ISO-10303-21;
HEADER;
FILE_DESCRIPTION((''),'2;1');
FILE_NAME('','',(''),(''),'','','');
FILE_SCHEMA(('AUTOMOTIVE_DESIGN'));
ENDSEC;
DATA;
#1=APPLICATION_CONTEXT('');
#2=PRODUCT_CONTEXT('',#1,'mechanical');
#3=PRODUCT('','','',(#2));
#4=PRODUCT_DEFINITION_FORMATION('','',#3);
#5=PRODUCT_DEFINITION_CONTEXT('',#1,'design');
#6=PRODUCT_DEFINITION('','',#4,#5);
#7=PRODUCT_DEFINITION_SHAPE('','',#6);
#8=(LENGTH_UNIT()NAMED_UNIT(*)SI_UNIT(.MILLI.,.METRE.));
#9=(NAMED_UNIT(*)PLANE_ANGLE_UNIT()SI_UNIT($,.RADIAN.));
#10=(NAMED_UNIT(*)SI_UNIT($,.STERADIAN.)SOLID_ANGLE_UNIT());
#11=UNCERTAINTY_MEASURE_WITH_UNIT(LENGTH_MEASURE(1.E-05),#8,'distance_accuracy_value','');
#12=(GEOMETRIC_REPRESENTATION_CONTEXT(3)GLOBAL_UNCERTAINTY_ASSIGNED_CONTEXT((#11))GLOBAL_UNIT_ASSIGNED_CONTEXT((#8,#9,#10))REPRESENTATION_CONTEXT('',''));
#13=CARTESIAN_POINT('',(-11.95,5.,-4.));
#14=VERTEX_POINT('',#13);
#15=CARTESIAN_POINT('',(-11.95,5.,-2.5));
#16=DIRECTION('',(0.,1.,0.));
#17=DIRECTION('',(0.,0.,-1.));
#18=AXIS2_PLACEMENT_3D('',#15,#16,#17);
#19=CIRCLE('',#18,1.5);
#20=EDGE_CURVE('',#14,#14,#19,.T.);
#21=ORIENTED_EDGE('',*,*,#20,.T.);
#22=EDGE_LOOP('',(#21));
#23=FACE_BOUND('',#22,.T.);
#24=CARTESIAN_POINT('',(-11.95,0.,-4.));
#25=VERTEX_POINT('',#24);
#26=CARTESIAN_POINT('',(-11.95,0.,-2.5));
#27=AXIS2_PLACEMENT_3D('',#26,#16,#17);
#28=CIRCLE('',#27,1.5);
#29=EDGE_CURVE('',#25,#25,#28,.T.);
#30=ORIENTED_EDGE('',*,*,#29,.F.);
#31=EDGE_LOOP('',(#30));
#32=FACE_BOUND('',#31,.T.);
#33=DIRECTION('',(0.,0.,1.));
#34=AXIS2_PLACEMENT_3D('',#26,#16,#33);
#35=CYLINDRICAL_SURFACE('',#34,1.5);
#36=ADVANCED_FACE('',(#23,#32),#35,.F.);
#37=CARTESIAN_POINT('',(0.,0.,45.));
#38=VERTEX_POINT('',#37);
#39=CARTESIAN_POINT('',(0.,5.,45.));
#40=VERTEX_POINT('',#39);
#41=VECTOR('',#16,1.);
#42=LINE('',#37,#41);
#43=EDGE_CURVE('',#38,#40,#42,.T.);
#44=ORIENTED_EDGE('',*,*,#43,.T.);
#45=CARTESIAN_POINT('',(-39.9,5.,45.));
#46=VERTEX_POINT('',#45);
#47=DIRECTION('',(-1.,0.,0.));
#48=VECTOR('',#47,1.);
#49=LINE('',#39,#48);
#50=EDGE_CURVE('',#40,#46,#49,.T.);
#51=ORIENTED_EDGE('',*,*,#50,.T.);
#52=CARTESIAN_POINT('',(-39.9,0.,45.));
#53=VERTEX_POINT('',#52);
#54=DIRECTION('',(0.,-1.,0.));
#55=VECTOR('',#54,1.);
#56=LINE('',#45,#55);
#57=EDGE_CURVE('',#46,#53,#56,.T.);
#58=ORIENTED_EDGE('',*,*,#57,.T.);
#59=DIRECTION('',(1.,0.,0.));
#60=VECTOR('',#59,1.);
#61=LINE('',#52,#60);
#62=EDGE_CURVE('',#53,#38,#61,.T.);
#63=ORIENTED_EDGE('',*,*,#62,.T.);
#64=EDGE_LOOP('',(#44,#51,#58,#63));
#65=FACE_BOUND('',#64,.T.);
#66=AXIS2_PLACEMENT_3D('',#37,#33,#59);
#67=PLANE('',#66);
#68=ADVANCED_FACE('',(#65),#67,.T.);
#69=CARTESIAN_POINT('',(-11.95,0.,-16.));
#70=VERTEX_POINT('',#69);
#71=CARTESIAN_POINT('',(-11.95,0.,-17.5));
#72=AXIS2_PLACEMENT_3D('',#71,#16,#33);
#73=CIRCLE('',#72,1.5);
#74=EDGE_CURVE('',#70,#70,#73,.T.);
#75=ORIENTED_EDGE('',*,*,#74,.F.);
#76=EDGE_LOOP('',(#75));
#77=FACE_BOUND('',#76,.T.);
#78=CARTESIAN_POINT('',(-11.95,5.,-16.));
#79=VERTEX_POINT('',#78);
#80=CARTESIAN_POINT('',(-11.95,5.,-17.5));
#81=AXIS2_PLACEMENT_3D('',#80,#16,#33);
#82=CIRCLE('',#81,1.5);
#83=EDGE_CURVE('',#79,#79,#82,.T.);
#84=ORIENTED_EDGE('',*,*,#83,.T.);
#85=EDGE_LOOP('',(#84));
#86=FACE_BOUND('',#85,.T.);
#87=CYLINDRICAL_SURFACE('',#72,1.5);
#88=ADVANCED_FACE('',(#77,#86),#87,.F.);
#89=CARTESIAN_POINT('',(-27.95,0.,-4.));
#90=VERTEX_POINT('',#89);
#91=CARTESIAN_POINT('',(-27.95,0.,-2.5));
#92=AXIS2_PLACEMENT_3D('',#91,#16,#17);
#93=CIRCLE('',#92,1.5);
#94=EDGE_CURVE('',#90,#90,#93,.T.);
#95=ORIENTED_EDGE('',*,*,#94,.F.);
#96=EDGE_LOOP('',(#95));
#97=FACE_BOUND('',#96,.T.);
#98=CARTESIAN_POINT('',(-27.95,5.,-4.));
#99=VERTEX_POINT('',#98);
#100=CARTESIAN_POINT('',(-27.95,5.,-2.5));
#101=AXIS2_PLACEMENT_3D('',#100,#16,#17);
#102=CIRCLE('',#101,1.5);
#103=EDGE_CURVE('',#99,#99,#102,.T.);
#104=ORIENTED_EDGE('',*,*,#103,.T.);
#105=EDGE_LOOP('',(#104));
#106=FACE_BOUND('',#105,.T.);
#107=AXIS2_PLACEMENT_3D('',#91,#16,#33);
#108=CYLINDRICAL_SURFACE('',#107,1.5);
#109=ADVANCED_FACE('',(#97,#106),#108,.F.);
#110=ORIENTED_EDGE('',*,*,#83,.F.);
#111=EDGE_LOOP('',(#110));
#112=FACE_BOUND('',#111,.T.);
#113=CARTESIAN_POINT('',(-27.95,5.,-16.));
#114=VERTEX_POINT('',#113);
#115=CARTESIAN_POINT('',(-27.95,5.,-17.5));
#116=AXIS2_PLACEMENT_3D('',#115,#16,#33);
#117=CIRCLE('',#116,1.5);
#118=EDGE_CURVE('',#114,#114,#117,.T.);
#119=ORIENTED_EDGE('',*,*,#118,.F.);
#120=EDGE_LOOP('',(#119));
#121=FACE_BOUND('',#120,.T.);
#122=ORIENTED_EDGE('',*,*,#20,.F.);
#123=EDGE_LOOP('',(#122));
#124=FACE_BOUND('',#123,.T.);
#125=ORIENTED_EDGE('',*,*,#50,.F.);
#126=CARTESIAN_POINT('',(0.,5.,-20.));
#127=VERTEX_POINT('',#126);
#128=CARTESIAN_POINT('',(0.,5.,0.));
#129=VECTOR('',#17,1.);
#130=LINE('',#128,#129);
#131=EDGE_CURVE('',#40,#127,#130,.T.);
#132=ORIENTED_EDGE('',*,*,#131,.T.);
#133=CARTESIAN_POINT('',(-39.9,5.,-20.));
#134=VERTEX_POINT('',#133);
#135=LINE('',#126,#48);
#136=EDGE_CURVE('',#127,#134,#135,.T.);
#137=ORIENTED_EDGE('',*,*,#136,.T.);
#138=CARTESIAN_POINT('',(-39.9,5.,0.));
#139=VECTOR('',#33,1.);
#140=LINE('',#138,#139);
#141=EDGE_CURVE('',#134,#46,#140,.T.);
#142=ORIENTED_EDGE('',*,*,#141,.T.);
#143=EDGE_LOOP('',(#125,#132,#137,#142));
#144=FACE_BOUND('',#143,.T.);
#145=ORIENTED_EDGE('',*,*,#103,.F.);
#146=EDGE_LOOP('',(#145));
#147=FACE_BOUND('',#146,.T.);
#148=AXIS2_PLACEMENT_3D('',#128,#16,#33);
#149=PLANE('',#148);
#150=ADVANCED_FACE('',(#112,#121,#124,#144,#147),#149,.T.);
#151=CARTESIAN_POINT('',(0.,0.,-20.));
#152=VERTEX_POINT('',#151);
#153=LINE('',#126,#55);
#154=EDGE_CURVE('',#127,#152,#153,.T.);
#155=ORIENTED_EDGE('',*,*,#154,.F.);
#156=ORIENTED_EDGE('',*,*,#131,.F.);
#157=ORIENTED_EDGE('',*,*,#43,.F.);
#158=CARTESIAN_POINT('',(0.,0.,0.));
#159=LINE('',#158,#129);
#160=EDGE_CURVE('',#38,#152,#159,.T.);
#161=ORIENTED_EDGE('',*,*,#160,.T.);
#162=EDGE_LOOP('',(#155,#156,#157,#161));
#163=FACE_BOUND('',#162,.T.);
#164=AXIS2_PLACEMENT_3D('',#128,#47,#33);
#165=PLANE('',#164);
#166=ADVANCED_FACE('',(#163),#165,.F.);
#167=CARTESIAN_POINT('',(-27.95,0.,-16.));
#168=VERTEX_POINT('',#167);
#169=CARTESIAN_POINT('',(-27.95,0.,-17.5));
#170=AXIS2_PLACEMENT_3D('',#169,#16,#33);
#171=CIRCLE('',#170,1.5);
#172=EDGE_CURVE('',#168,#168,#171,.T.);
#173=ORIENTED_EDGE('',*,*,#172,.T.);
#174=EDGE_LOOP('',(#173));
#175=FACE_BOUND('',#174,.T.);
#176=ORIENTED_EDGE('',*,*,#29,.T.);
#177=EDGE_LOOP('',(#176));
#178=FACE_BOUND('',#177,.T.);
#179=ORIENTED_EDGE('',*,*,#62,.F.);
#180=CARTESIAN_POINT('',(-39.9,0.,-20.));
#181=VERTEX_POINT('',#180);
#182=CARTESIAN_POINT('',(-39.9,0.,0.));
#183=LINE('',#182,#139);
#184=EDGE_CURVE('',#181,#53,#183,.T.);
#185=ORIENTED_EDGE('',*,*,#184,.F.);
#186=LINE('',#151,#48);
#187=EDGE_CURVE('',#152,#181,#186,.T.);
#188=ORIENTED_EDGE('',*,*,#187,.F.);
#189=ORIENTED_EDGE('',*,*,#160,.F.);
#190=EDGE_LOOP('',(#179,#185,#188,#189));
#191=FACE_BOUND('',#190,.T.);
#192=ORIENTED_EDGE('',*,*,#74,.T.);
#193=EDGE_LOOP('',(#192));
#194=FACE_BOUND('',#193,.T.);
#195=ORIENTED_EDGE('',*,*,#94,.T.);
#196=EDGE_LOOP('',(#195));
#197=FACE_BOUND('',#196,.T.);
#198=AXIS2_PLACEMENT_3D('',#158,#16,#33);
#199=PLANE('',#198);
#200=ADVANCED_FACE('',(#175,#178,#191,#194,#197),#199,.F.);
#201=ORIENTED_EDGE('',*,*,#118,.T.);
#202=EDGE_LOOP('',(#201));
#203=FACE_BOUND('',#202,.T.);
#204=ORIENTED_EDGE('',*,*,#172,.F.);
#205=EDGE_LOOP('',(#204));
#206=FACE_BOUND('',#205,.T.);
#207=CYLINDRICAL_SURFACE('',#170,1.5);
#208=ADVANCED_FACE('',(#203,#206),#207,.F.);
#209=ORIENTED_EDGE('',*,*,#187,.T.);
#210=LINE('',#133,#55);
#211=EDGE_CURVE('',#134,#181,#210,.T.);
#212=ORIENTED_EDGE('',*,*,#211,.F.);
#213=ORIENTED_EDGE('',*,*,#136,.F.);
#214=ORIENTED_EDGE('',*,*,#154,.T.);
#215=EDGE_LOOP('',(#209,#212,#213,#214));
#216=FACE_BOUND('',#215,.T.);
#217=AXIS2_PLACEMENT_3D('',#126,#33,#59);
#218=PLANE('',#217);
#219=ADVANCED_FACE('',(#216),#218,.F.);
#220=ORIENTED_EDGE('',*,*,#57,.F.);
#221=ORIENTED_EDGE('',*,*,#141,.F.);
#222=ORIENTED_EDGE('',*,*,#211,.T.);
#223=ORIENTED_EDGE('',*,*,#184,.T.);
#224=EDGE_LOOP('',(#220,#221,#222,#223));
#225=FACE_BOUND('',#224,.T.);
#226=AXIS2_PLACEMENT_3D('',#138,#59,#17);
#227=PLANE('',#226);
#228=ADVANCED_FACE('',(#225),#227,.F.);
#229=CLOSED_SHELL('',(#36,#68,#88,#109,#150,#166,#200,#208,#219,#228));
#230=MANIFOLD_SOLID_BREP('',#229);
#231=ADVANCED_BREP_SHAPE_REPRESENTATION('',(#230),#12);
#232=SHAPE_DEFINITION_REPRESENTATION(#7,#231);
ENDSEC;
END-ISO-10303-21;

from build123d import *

# Parameters (mm, degrees)
SKETCH_1_W          = 39.9
SKETCH_1_H          = 20
EXTRUDE_1_DEPTH     = 5
SKETCH_2_R          = 1.5
CUT_EXTRUDE_1_DEPTH = 5
SKETCH_4_W          = 39.9
SKETCH_4_H          = 5
EXTRUDE_2_DEPTH     = 45


with BuildPart() as part:
    # 草图1 → 凸台-拉伸1 (new body)
    with BuildSketch(Plane(origin=(0, 0, 0), x_dir=(1, 0, 0), z_dir=(0, 1, 0))):
        with Locations((-19.95, 10)):
            Rectangle(SKETCH_1_W, SKETCH_1_H)
    extrude(amount=EXTRUDE_1_DEPTH)

    # 草图2 → 切除-拉伸1 (cut)
    with BuildSketch(Plane(origin=(0, 5, 0), x_dir=(1, 0, 0), z_dir=(0, 1, 0))):
        with Locations(Location((-27.95, 17.5, 0), (0, 0, 270))):
            Circle(SKETCH_2_R)
        with Locations(Location((-11.95, 17.5, 0), (0, 0, 270))):
            Circle(SKETCH_2_R)
        with Locations(Location((-11.95, 2.5, 0), (0, 0, 90))):
            Circle(SKETCH_2_R)
        with Locations(Location((-27.95, 2.5, 0), (0, 0, 90))):
            Circle(SKETCH_2_R)
    extrude(amount=-CUT_EXTRUDE_1_DEPTH, mode=Mode.SUBTRACT)

    # 草图4 → 凸台-拉伸2 (add)
    with BuildSketch(Plane.XY):
        with Locations((-19.95, 2.5)):
            Rectangle(SKETCH_4_W, SKETCH_4_H)
    extrude(amount=EXTRUDE_2_DEPTH)


solid = part.part
